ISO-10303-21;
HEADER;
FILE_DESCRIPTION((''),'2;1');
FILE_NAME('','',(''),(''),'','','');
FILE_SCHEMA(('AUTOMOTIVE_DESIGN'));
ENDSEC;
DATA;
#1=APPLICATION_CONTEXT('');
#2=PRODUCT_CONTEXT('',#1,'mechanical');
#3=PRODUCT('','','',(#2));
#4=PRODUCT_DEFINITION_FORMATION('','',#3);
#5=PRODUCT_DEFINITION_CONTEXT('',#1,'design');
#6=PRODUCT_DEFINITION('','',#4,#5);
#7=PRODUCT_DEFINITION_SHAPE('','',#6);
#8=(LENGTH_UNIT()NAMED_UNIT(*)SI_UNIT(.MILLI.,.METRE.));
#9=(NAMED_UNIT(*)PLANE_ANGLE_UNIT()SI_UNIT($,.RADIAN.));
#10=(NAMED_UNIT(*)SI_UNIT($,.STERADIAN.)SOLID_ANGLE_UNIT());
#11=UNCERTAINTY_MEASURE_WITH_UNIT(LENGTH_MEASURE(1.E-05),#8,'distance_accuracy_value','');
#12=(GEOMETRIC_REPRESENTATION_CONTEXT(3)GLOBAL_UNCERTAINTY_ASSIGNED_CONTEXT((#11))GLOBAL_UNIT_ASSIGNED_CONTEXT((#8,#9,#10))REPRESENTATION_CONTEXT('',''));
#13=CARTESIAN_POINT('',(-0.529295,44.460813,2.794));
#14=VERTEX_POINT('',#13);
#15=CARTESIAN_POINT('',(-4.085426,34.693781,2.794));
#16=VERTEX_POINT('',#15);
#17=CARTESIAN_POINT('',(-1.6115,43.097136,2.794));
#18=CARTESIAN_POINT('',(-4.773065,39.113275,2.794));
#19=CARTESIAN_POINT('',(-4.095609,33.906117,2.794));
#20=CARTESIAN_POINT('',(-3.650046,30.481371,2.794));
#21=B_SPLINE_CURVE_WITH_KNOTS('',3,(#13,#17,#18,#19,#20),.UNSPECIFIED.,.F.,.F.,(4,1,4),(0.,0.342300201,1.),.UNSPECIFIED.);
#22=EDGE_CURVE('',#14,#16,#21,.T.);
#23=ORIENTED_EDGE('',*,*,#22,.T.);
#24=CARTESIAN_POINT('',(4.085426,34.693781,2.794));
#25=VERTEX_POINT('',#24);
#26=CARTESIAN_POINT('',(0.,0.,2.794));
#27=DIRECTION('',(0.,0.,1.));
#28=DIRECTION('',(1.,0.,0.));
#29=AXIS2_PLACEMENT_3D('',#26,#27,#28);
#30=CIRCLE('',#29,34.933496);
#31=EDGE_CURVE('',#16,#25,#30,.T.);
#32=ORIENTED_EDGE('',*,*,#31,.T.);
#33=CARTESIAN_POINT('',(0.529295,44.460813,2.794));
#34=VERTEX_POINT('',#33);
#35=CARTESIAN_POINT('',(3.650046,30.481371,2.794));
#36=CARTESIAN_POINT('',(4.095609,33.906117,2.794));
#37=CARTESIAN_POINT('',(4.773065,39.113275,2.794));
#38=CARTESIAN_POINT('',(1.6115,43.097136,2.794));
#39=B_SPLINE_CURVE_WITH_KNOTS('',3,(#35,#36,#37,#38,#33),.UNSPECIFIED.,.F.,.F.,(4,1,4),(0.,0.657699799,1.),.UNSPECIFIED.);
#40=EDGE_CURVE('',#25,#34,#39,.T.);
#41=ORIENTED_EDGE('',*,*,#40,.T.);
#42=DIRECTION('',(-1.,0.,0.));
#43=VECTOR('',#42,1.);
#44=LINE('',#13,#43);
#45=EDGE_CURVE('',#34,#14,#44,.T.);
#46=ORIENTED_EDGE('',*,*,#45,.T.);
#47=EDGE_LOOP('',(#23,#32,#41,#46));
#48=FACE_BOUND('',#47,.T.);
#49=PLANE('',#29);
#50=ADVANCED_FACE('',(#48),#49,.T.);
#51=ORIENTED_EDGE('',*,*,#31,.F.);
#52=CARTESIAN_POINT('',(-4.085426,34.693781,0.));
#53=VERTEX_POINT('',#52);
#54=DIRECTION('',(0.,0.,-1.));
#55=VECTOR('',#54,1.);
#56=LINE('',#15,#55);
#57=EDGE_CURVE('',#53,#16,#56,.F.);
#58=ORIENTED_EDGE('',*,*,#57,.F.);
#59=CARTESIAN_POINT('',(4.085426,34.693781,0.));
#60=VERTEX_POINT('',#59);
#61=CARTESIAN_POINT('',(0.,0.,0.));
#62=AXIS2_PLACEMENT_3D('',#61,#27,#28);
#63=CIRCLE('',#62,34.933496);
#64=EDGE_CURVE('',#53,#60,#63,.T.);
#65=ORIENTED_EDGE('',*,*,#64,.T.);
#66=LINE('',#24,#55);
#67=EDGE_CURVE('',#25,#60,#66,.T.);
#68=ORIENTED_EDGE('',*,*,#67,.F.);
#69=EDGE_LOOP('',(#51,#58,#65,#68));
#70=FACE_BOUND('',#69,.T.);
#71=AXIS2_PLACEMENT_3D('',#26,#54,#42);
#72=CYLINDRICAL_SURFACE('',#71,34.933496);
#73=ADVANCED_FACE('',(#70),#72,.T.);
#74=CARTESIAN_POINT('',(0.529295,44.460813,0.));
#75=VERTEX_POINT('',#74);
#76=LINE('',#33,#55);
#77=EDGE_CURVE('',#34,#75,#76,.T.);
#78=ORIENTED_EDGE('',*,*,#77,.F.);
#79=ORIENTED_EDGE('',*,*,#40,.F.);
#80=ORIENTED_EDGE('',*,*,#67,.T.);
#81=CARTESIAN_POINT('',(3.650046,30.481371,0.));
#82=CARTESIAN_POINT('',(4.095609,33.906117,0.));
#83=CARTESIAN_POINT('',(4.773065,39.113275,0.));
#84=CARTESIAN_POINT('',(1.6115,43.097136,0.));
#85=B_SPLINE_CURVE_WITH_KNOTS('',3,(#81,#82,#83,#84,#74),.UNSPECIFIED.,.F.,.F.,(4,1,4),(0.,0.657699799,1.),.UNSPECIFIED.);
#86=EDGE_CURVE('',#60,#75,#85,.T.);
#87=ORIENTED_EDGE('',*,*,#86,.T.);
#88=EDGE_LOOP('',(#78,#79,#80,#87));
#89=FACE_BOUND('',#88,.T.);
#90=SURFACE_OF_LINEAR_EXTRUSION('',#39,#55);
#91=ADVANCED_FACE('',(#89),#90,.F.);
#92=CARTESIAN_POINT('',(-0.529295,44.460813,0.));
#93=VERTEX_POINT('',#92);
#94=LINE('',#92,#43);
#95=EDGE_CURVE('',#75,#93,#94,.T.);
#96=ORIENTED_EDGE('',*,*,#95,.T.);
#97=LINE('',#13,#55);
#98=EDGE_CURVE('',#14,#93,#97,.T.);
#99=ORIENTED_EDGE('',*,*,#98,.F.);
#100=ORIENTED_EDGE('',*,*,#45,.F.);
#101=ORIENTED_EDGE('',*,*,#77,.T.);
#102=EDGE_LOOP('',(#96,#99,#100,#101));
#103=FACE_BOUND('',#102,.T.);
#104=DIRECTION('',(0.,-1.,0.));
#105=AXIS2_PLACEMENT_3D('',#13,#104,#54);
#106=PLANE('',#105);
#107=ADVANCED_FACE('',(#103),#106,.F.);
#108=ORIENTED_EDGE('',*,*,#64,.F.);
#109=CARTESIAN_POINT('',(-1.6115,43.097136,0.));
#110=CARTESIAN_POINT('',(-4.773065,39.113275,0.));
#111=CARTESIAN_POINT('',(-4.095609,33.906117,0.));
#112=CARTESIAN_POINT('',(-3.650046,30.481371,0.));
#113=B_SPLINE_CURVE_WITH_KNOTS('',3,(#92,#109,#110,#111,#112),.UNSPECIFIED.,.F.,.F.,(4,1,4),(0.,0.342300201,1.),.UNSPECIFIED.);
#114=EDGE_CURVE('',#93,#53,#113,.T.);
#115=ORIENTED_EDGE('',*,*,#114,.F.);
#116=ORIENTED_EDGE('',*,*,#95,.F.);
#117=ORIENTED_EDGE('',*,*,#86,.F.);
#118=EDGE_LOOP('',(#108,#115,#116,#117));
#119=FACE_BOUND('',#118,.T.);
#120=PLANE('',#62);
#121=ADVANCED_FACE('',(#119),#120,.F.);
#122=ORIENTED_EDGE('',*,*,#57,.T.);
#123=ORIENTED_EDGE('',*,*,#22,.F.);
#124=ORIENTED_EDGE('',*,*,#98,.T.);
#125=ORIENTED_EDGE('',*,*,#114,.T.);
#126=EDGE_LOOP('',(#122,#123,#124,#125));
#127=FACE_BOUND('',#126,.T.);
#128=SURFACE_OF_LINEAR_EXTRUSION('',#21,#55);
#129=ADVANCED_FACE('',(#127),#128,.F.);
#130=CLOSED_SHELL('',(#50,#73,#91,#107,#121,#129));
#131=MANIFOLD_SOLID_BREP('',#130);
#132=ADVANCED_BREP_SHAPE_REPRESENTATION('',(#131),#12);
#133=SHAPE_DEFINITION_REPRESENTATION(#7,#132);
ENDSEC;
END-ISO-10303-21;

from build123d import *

# Parameters (mm, degrees)
SKETCH1_R           = 34.933496267
BOSS_EXTRUDE1_DEPTH = 2.793999854
BOSS_EXTRUDE2_DEPTH = 2.793999854


with BuildPart() as part:
    # Sketch1 → Boss-Extrude1 (new body)
    with BuildSketch(Plane.XY):
        Circle(SKETCH1_R)
    extrude(amount=BOSS_EXTRUDE1_DEPTH)

    # Sketch2 → Boss-Extrude2 (add)
    with BuildSketch(Plane.XY):
        with BuildLine():
            Line((-0.529295357, 44.460813049), (0.529295357, 44.460813049))
            add(Edge.make_bspline(
                [(0.529295357, 44.460813049), (1.611499664, 43.097136359), (4.77306458, 39.113274573), (4.095608896, 33.906117048), (3.650046429, 30.48137059)],
                knots=[0, 0, 0, 0, 0.342300201, 1, 1, 1, 1], degree=3))
            ThreePointArc((3.650046429, 30.48137059), (0, 30.699133407), (-3.650046429, 30.48137059))
            add(Edge.make_bspline(
                [(-0.529295357, 44.460813049), (-1.611499664, 43.097136359), (-4.77306458, 39.113274573), (-4.095608896, 33.906117048), (-3.650046429, 30.48137059)],
                knots=[0, 0, 0, 0, 0.342300201, 1, 1, 1, 1], degree=3))
        make_face()
    extrude(amount=BOSS_EXTRUDE2_DEPTH)


solid = part.part
